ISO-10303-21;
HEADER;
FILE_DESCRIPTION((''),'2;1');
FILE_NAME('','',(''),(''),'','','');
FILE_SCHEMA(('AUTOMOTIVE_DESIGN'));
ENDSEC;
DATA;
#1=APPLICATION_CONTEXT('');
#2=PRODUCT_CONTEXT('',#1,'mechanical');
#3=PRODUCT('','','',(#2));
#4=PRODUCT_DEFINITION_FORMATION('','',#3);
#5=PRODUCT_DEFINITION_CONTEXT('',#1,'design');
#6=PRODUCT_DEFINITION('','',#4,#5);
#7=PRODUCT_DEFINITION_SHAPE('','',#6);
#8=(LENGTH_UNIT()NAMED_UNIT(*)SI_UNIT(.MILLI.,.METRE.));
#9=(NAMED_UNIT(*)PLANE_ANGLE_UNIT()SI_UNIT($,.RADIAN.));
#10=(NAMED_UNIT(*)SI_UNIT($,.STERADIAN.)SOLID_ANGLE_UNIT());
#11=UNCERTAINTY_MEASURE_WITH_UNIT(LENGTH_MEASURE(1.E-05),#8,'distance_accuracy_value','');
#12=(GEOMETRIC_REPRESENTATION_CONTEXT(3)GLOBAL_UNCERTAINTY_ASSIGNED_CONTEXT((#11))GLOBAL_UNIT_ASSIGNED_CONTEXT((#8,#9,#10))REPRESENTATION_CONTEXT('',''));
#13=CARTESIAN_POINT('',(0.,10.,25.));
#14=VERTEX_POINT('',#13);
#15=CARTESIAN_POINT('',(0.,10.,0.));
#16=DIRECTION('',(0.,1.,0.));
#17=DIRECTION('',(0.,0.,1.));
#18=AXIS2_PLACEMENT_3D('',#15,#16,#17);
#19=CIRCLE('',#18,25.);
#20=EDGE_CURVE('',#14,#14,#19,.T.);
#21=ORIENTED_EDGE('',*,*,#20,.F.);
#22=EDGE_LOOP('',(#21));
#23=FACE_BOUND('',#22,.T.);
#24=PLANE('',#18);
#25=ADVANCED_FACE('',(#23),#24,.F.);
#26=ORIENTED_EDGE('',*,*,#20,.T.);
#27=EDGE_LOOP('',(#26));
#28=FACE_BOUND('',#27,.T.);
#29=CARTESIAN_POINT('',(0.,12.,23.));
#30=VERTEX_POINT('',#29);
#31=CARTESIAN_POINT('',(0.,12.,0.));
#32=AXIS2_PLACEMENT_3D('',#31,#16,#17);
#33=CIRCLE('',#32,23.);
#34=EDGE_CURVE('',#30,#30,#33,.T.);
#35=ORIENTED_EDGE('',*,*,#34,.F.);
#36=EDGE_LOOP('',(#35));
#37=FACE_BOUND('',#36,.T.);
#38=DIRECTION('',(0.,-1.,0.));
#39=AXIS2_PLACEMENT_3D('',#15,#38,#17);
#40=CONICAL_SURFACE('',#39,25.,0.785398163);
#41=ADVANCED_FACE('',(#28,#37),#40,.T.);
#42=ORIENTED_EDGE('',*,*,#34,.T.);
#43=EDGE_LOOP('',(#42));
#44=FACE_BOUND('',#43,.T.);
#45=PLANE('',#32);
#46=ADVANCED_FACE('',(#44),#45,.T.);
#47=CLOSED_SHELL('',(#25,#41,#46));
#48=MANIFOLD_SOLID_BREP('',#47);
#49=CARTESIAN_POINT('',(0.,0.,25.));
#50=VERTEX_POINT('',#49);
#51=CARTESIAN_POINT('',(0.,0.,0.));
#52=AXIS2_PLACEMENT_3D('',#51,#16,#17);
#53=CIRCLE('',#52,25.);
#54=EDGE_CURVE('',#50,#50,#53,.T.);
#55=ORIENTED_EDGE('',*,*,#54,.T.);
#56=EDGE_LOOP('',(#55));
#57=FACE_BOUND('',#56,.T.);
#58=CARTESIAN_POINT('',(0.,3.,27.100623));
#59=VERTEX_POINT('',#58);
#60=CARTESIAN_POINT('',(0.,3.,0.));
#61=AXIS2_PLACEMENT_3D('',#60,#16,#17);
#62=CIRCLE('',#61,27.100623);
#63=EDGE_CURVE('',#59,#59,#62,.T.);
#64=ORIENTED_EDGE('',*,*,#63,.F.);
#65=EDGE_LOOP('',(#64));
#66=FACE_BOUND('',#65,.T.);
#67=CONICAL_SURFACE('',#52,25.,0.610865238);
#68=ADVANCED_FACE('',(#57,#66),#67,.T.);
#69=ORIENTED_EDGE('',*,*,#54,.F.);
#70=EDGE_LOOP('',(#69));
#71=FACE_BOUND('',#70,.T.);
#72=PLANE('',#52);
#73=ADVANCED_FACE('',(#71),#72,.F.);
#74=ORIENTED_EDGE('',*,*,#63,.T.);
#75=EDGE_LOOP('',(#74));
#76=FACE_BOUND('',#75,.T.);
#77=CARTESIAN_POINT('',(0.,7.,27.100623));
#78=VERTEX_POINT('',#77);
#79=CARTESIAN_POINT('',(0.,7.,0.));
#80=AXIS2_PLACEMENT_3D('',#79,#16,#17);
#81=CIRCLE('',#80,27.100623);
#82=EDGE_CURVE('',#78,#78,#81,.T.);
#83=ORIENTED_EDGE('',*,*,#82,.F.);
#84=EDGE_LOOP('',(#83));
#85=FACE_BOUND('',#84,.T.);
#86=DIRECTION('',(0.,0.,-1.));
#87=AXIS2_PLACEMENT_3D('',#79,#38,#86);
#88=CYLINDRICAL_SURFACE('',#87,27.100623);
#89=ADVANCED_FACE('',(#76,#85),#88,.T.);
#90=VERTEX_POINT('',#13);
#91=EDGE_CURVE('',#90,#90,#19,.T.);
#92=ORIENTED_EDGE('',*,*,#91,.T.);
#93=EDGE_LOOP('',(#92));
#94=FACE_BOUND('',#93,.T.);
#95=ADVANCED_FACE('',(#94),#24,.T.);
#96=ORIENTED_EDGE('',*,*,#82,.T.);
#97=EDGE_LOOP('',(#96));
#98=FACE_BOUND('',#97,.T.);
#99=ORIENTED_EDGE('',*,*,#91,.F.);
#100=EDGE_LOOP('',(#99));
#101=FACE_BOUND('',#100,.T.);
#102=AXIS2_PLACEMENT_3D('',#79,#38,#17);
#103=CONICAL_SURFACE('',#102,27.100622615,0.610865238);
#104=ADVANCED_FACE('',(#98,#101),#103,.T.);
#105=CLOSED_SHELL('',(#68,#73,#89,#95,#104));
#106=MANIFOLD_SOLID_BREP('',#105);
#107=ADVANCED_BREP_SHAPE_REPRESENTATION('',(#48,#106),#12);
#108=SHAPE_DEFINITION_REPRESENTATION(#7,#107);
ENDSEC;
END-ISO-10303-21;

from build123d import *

# Parameters (mm, degrees)
CROQUIS1_R              = 25
SALIENTE_EXTRUIR1_DEPTH = 3
SALIENTE_EXTRUIR1_DRAFT = -35
CROQUIS2_R              = 27.100622615
SALIENTE_EXTRUIR2_DEPTH = 4
CROQUIS3_R              = 27.100622615
SALIENTE_EXTRUIR3_DEPTH = 3
SALIENTE_EXTRUIR3_TAPER = 35
CROQUIS4_R              = 25
SALIENTE_EXTRUIR4_DEPTH = 2
SALIENTE_EXTRUIR4_TAPER = 45


with BuildPart() as part:
    # Croquis1 → Saliente-Extruir1 (with draft: the straight prism first)
    with BuildSketch(Plane(origin=(0, 0, 0), x_dir=(1, 0, 0), z_dir=(0, 1, 0))):
        Circle(CROQUIS1_R)
    extrude(amount=SALIENTE_EXTRUIR1_DEPTH)
    # Saliente-Extruir1: the draft: its side faces are tilted about the plane it starts from
    saliente_extruir1_sides = [part.faces().sort_by_distance(p)[0] for p in [
        (-25, 1.5, 0),
    ]]
    draft(saliente_extruir1_sides, Plane(origin=(0, 0, 0), x_dir=(1, 0, 0), z_dir=(0, 1, 0)), SALIENTE_EXTRUIR1_DRAFT)

    # Croquis2 → Saliente-Extruir2 (add)
    with BuildSketch(Plane(origin=(0, 3, 0), x_dir=(1, 0, 0), z_dir=(0, 1, 0))):
        with Locations(Location((0, 0, 0), (0, 0, 270))):
            Circle(CROQUIS2_R)
    extrude(amount=SALIENTE_EXTRUIR2_DEPTH)

    # Croquis3 → Saliente-Extruir3 (add)
    with BuildSketch(Plane(origin=(0, 7, 0), x_dir=(1, 0, 0), z_dir=(0, 1, 0))):
        with Locations(Location((0, 0, 0), (0, 0, 270))):
            Circle(CROQUIS3_R)
    extrude(amount=SALIENTE_EXTRUIR3_DEPTH, taper=SALIENTE_EXTRUIR3_TAPER)


with BuildPart() as body_2:
    # Croquis4 → Saliente-Extruir4 (new body)
    with BuildSketch(Plane(origin=(0, 10, 0), x_dir=(1, 0, 0), z_dir=(0, 1, 0))):
        Circle(CROQUIS4_R)
    extrude(amount=SALIENTE_EXTRUIR4_DEPTH, taper=SALIENTE_EXTRUIR4_TAPER)


solid = Compound([part.part, body_2.part])
